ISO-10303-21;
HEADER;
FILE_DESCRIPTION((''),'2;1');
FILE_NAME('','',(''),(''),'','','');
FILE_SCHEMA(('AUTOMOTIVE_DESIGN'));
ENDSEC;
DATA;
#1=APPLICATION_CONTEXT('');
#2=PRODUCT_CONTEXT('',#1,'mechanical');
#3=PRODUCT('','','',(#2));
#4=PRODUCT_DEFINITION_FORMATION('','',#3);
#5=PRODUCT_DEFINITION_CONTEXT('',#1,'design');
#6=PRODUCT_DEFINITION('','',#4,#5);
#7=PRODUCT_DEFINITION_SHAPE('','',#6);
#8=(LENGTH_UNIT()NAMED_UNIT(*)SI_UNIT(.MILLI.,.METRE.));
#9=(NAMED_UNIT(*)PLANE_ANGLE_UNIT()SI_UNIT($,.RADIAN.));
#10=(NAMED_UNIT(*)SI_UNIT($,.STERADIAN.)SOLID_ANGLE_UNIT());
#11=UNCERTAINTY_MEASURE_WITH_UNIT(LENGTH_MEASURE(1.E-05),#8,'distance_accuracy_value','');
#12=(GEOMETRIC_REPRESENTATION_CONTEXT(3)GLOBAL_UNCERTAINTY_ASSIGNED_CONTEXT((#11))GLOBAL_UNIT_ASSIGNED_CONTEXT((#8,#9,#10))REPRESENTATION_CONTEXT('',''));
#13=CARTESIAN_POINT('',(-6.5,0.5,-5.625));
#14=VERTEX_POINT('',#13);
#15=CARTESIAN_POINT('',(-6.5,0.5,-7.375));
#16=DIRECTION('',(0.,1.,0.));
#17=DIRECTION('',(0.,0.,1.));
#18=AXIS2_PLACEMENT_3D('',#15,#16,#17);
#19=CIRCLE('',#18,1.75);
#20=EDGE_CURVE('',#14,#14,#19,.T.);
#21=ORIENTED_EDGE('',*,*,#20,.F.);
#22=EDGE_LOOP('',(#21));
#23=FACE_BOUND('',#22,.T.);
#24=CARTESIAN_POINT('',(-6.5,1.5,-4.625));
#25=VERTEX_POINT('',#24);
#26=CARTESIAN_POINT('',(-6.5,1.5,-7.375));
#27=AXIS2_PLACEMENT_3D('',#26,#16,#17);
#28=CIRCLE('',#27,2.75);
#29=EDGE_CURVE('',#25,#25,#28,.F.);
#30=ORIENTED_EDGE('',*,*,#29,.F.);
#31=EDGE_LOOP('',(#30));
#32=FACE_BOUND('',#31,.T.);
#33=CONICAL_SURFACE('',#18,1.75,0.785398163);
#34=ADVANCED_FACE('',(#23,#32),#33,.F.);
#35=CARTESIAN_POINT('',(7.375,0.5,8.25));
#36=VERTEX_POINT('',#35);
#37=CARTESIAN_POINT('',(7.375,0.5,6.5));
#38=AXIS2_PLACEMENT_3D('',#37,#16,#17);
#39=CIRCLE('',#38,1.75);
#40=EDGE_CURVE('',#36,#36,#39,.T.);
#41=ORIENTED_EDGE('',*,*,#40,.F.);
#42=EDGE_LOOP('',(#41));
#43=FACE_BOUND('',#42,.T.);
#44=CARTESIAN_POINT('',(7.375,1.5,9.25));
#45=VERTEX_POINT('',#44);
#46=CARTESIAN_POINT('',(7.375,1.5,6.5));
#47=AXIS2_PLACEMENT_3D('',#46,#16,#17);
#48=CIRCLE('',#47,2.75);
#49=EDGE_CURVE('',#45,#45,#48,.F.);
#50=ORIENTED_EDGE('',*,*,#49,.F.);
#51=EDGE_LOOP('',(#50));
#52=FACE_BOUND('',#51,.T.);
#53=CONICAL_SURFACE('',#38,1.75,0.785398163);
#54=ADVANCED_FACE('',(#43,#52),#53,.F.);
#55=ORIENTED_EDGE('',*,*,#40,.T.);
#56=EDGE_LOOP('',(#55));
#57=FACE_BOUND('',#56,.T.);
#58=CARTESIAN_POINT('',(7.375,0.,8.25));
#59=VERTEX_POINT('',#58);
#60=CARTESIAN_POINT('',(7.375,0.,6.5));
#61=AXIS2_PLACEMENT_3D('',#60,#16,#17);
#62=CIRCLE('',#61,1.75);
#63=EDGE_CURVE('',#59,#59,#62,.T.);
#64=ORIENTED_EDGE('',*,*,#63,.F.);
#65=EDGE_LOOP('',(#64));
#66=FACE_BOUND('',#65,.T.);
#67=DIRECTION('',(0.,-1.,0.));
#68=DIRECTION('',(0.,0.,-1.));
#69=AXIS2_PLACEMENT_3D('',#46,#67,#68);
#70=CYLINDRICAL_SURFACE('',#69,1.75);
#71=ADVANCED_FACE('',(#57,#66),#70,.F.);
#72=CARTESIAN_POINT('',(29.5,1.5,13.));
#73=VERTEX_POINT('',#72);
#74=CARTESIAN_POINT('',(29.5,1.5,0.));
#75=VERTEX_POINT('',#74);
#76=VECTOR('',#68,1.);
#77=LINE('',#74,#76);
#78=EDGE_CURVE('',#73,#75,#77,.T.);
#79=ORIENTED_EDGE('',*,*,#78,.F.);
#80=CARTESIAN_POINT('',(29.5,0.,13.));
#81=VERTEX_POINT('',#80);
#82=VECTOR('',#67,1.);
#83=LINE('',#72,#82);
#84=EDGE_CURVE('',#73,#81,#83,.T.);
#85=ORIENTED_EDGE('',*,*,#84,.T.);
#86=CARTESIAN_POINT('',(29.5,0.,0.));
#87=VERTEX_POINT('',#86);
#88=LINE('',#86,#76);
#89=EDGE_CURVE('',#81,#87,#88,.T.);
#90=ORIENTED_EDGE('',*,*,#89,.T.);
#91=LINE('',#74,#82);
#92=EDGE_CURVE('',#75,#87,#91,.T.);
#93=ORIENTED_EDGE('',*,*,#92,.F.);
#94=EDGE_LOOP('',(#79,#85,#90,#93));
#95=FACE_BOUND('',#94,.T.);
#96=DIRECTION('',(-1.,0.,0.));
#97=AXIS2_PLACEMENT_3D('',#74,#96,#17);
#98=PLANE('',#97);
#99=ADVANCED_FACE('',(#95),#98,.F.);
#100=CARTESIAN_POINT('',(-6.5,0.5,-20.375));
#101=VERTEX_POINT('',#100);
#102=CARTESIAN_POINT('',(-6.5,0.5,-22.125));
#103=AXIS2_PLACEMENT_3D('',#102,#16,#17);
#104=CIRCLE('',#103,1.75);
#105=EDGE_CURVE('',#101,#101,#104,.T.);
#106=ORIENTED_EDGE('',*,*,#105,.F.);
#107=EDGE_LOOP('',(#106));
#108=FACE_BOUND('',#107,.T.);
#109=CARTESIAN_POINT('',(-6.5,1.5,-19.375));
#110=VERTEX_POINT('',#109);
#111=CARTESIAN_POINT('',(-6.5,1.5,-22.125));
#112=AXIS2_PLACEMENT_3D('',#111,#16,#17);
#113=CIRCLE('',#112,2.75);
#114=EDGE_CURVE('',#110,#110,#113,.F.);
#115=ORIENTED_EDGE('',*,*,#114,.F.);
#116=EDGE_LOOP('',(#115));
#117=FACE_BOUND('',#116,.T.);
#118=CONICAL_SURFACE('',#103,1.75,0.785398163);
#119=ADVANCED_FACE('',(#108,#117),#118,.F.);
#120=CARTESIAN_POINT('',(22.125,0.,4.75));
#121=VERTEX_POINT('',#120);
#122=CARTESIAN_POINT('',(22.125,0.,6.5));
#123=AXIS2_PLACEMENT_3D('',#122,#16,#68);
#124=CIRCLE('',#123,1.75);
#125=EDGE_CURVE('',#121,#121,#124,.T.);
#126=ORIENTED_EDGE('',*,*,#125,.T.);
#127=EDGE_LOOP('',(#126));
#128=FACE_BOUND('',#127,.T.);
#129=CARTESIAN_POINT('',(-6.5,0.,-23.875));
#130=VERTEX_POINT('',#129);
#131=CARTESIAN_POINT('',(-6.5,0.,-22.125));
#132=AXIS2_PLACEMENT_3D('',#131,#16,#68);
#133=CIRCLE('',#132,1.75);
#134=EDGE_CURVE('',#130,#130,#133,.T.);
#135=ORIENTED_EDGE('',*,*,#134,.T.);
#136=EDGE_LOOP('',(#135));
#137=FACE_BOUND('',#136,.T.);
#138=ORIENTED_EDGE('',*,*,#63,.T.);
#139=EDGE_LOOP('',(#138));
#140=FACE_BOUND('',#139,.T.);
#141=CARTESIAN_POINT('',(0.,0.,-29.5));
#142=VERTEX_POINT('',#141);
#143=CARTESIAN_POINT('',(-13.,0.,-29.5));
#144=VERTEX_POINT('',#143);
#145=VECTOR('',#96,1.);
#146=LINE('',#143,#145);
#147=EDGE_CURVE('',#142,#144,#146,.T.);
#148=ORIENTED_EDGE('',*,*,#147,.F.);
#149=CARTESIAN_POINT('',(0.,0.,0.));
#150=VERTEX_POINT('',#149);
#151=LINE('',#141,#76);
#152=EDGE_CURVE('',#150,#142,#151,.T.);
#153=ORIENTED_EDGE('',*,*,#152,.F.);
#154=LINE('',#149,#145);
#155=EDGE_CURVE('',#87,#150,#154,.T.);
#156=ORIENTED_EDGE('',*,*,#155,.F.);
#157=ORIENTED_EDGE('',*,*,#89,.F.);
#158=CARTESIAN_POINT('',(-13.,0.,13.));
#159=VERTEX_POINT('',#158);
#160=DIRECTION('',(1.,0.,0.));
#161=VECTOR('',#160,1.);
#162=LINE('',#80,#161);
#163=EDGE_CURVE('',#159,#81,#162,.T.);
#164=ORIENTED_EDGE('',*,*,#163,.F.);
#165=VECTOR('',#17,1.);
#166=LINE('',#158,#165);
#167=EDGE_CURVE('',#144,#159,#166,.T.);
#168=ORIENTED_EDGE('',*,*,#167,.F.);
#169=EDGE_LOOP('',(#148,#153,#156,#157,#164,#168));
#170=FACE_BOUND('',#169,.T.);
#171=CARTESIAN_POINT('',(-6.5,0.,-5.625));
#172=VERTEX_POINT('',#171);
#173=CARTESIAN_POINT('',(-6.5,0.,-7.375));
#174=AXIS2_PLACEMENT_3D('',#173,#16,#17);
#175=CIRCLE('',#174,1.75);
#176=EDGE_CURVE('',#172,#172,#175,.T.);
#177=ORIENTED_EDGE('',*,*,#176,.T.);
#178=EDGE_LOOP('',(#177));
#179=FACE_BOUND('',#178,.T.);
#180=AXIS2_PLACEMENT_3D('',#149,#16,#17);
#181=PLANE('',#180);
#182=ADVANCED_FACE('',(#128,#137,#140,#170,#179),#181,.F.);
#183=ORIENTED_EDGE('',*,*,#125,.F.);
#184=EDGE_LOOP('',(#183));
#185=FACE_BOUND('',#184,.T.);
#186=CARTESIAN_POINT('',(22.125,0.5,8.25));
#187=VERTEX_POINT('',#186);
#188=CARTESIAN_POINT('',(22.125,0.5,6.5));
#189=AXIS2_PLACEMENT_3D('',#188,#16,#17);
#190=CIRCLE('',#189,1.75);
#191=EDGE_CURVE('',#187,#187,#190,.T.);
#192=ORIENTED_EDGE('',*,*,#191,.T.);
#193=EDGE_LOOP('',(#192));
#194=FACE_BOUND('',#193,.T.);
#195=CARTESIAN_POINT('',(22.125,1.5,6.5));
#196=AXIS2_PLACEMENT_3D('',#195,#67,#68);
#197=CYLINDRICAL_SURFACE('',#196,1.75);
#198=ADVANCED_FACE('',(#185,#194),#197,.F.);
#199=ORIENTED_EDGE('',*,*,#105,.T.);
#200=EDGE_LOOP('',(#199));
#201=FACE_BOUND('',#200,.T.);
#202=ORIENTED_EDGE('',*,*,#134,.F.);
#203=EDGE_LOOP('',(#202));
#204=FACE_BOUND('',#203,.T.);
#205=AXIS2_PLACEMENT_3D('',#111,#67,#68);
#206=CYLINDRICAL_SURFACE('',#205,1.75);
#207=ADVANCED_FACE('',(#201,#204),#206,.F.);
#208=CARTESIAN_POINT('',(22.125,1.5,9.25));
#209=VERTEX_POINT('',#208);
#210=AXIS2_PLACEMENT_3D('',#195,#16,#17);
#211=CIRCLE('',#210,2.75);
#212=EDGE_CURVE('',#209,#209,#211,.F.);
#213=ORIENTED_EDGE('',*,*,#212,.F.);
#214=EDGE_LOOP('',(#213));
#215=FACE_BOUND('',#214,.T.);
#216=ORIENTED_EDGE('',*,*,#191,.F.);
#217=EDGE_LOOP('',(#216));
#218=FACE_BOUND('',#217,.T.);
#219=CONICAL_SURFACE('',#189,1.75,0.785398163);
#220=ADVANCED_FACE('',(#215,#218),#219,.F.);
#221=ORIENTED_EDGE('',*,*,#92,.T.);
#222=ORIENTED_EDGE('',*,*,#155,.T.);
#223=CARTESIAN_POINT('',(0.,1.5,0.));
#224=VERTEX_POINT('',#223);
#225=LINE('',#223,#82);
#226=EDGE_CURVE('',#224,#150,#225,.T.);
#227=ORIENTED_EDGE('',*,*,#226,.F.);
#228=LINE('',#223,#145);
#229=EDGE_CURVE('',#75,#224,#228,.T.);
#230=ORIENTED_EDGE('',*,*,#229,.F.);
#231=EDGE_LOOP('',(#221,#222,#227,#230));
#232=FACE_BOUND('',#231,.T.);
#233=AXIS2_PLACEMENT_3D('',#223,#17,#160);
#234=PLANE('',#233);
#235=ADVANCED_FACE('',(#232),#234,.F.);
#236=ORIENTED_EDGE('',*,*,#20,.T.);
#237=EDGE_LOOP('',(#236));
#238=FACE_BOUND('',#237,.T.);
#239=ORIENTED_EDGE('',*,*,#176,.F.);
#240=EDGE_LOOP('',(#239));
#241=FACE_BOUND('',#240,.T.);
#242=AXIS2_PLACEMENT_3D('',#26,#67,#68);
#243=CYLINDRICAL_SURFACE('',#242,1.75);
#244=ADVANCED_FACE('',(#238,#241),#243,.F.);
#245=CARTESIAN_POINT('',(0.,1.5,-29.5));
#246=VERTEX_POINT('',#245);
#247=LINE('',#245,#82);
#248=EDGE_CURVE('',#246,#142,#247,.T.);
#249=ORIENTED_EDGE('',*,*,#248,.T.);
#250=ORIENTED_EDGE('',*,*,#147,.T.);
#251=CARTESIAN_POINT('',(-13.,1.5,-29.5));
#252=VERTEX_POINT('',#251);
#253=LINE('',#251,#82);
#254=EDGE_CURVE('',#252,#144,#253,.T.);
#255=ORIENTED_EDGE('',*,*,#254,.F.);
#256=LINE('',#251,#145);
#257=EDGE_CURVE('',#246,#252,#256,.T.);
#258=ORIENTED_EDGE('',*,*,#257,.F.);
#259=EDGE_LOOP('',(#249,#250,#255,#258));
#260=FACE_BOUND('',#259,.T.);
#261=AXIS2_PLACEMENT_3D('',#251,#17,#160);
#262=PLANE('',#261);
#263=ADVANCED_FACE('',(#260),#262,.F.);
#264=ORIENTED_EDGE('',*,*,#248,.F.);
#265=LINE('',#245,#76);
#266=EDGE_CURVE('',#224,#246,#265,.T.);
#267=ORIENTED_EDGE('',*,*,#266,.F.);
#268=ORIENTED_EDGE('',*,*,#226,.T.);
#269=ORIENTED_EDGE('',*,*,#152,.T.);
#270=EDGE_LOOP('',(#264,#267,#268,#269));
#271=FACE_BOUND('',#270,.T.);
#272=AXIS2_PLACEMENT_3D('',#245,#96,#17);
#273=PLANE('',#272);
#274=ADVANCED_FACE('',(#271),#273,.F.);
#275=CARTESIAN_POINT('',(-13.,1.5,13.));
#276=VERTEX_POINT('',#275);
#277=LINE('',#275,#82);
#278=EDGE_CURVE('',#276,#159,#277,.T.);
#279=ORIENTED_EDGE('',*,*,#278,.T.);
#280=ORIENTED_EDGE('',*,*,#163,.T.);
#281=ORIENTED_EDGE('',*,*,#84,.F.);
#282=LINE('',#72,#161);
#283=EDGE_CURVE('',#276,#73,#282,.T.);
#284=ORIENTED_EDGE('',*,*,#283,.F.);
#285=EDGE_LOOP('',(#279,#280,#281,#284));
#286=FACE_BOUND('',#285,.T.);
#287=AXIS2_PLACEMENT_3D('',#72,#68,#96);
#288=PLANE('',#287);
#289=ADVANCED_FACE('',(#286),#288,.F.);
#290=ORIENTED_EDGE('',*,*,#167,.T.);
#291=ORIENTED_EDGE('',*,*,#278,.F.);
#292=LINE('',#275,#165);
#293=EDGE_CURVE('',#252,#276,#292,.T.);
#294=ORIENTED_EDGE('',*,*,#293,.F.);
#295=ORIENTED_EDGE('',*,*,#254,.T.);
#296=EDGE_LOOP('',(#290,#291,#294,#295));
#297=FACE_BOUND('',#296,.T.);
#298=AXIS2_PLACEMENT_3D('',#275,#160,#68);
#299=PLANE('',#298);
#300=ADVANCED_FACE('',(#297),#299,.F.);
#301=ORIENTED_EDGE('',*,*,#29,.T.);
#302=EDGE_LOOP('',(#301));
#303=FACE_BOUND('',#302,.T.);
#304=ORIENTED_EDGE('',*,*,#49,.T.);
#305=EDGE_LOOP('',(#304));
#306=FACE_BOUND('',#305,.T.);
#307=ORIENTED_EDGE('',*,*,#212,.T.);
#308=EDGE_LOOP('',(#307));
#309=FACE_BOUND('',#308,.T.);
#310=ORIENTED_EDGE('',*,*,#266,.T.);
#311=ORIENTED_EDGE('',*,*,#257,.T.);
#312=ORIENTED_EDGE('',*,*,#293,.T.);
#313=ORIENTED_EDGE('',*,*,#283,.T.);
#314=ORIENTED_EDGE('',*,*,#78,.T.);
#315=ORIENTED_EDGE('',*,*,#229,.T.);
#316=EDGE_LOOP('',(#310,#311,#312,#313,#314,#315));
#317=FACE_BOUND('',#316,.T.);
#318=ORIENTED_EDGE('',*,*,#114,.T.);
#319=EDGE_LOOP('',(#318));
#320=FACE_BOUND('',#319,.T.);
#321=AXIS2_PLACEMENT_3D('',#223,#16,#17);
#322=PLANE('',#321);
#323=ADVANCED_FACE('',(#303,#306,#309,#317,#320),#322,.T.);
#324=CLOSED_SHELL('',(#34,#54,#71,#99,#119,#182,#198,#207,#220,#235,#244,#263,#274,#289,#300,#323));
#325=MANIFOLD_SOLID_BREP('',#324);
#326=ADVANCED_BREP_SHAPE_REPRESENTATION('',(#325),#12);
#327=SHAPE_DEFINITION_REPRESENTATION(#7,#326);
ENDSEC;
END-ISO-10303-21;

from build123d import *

# Parameters (mm, degrees)
SKETCH1_R           = 1.75
BOSS_EXTRUDE1_DEPTH = 1.5
CHAMFER1_SIZE       = 1


with BuildPart() as part:
    # Sketch1 → Boss-Extrude1 (new body)
    with BuildSketch(Plane(origin=(0, 0, 0), x_dir=(1, 0, 0), z_dir=(0, 1, 0))):
        Polygon((0, 0), (29.5, 0), (29.5, -13), (-13, -13), (-13, 29.5), (0, 29.5), align=None)
        with Locations(Location((-6.5, 7.375, 0), (0, 0, 270))):
            Circle(SKETCH1_R, mode=Mode.SUBTRACT)
        with Locations(Location((7.375, -6.5, 0), (0, 0, 270))):
            Circle(SKETCH1_R, mode=Mode.SUBTRACT)
        with Locations(Location((-6.5, 22.125, 0), (0, 0, 90))):
            Circle(SKETCH1_R, mode=Mode.SUBTRACT)
        with Locations(Location((22.125, -6.5, 0), (0, 0, 90))):
            Circle(SKETCH1_R, mode=Mode.SUBTRACT)
    extrude(amount=BOSS_EXTRUDE1_DEPTH)

    # Chamfer1
    chamfer1_edges = [part.edges().sort_by_distance(p)[0] for p in [
        (-6.5, 1.5, -9.125),
        (7.375, 1.5, 4.75),
        (-6.5, 1.5, -20.375),
        (22.125, 1.5, 8.25),
    ]]
    chamfer(chamfer1_edges, length=CHAMFER1_SIZE)


solid = part.part
